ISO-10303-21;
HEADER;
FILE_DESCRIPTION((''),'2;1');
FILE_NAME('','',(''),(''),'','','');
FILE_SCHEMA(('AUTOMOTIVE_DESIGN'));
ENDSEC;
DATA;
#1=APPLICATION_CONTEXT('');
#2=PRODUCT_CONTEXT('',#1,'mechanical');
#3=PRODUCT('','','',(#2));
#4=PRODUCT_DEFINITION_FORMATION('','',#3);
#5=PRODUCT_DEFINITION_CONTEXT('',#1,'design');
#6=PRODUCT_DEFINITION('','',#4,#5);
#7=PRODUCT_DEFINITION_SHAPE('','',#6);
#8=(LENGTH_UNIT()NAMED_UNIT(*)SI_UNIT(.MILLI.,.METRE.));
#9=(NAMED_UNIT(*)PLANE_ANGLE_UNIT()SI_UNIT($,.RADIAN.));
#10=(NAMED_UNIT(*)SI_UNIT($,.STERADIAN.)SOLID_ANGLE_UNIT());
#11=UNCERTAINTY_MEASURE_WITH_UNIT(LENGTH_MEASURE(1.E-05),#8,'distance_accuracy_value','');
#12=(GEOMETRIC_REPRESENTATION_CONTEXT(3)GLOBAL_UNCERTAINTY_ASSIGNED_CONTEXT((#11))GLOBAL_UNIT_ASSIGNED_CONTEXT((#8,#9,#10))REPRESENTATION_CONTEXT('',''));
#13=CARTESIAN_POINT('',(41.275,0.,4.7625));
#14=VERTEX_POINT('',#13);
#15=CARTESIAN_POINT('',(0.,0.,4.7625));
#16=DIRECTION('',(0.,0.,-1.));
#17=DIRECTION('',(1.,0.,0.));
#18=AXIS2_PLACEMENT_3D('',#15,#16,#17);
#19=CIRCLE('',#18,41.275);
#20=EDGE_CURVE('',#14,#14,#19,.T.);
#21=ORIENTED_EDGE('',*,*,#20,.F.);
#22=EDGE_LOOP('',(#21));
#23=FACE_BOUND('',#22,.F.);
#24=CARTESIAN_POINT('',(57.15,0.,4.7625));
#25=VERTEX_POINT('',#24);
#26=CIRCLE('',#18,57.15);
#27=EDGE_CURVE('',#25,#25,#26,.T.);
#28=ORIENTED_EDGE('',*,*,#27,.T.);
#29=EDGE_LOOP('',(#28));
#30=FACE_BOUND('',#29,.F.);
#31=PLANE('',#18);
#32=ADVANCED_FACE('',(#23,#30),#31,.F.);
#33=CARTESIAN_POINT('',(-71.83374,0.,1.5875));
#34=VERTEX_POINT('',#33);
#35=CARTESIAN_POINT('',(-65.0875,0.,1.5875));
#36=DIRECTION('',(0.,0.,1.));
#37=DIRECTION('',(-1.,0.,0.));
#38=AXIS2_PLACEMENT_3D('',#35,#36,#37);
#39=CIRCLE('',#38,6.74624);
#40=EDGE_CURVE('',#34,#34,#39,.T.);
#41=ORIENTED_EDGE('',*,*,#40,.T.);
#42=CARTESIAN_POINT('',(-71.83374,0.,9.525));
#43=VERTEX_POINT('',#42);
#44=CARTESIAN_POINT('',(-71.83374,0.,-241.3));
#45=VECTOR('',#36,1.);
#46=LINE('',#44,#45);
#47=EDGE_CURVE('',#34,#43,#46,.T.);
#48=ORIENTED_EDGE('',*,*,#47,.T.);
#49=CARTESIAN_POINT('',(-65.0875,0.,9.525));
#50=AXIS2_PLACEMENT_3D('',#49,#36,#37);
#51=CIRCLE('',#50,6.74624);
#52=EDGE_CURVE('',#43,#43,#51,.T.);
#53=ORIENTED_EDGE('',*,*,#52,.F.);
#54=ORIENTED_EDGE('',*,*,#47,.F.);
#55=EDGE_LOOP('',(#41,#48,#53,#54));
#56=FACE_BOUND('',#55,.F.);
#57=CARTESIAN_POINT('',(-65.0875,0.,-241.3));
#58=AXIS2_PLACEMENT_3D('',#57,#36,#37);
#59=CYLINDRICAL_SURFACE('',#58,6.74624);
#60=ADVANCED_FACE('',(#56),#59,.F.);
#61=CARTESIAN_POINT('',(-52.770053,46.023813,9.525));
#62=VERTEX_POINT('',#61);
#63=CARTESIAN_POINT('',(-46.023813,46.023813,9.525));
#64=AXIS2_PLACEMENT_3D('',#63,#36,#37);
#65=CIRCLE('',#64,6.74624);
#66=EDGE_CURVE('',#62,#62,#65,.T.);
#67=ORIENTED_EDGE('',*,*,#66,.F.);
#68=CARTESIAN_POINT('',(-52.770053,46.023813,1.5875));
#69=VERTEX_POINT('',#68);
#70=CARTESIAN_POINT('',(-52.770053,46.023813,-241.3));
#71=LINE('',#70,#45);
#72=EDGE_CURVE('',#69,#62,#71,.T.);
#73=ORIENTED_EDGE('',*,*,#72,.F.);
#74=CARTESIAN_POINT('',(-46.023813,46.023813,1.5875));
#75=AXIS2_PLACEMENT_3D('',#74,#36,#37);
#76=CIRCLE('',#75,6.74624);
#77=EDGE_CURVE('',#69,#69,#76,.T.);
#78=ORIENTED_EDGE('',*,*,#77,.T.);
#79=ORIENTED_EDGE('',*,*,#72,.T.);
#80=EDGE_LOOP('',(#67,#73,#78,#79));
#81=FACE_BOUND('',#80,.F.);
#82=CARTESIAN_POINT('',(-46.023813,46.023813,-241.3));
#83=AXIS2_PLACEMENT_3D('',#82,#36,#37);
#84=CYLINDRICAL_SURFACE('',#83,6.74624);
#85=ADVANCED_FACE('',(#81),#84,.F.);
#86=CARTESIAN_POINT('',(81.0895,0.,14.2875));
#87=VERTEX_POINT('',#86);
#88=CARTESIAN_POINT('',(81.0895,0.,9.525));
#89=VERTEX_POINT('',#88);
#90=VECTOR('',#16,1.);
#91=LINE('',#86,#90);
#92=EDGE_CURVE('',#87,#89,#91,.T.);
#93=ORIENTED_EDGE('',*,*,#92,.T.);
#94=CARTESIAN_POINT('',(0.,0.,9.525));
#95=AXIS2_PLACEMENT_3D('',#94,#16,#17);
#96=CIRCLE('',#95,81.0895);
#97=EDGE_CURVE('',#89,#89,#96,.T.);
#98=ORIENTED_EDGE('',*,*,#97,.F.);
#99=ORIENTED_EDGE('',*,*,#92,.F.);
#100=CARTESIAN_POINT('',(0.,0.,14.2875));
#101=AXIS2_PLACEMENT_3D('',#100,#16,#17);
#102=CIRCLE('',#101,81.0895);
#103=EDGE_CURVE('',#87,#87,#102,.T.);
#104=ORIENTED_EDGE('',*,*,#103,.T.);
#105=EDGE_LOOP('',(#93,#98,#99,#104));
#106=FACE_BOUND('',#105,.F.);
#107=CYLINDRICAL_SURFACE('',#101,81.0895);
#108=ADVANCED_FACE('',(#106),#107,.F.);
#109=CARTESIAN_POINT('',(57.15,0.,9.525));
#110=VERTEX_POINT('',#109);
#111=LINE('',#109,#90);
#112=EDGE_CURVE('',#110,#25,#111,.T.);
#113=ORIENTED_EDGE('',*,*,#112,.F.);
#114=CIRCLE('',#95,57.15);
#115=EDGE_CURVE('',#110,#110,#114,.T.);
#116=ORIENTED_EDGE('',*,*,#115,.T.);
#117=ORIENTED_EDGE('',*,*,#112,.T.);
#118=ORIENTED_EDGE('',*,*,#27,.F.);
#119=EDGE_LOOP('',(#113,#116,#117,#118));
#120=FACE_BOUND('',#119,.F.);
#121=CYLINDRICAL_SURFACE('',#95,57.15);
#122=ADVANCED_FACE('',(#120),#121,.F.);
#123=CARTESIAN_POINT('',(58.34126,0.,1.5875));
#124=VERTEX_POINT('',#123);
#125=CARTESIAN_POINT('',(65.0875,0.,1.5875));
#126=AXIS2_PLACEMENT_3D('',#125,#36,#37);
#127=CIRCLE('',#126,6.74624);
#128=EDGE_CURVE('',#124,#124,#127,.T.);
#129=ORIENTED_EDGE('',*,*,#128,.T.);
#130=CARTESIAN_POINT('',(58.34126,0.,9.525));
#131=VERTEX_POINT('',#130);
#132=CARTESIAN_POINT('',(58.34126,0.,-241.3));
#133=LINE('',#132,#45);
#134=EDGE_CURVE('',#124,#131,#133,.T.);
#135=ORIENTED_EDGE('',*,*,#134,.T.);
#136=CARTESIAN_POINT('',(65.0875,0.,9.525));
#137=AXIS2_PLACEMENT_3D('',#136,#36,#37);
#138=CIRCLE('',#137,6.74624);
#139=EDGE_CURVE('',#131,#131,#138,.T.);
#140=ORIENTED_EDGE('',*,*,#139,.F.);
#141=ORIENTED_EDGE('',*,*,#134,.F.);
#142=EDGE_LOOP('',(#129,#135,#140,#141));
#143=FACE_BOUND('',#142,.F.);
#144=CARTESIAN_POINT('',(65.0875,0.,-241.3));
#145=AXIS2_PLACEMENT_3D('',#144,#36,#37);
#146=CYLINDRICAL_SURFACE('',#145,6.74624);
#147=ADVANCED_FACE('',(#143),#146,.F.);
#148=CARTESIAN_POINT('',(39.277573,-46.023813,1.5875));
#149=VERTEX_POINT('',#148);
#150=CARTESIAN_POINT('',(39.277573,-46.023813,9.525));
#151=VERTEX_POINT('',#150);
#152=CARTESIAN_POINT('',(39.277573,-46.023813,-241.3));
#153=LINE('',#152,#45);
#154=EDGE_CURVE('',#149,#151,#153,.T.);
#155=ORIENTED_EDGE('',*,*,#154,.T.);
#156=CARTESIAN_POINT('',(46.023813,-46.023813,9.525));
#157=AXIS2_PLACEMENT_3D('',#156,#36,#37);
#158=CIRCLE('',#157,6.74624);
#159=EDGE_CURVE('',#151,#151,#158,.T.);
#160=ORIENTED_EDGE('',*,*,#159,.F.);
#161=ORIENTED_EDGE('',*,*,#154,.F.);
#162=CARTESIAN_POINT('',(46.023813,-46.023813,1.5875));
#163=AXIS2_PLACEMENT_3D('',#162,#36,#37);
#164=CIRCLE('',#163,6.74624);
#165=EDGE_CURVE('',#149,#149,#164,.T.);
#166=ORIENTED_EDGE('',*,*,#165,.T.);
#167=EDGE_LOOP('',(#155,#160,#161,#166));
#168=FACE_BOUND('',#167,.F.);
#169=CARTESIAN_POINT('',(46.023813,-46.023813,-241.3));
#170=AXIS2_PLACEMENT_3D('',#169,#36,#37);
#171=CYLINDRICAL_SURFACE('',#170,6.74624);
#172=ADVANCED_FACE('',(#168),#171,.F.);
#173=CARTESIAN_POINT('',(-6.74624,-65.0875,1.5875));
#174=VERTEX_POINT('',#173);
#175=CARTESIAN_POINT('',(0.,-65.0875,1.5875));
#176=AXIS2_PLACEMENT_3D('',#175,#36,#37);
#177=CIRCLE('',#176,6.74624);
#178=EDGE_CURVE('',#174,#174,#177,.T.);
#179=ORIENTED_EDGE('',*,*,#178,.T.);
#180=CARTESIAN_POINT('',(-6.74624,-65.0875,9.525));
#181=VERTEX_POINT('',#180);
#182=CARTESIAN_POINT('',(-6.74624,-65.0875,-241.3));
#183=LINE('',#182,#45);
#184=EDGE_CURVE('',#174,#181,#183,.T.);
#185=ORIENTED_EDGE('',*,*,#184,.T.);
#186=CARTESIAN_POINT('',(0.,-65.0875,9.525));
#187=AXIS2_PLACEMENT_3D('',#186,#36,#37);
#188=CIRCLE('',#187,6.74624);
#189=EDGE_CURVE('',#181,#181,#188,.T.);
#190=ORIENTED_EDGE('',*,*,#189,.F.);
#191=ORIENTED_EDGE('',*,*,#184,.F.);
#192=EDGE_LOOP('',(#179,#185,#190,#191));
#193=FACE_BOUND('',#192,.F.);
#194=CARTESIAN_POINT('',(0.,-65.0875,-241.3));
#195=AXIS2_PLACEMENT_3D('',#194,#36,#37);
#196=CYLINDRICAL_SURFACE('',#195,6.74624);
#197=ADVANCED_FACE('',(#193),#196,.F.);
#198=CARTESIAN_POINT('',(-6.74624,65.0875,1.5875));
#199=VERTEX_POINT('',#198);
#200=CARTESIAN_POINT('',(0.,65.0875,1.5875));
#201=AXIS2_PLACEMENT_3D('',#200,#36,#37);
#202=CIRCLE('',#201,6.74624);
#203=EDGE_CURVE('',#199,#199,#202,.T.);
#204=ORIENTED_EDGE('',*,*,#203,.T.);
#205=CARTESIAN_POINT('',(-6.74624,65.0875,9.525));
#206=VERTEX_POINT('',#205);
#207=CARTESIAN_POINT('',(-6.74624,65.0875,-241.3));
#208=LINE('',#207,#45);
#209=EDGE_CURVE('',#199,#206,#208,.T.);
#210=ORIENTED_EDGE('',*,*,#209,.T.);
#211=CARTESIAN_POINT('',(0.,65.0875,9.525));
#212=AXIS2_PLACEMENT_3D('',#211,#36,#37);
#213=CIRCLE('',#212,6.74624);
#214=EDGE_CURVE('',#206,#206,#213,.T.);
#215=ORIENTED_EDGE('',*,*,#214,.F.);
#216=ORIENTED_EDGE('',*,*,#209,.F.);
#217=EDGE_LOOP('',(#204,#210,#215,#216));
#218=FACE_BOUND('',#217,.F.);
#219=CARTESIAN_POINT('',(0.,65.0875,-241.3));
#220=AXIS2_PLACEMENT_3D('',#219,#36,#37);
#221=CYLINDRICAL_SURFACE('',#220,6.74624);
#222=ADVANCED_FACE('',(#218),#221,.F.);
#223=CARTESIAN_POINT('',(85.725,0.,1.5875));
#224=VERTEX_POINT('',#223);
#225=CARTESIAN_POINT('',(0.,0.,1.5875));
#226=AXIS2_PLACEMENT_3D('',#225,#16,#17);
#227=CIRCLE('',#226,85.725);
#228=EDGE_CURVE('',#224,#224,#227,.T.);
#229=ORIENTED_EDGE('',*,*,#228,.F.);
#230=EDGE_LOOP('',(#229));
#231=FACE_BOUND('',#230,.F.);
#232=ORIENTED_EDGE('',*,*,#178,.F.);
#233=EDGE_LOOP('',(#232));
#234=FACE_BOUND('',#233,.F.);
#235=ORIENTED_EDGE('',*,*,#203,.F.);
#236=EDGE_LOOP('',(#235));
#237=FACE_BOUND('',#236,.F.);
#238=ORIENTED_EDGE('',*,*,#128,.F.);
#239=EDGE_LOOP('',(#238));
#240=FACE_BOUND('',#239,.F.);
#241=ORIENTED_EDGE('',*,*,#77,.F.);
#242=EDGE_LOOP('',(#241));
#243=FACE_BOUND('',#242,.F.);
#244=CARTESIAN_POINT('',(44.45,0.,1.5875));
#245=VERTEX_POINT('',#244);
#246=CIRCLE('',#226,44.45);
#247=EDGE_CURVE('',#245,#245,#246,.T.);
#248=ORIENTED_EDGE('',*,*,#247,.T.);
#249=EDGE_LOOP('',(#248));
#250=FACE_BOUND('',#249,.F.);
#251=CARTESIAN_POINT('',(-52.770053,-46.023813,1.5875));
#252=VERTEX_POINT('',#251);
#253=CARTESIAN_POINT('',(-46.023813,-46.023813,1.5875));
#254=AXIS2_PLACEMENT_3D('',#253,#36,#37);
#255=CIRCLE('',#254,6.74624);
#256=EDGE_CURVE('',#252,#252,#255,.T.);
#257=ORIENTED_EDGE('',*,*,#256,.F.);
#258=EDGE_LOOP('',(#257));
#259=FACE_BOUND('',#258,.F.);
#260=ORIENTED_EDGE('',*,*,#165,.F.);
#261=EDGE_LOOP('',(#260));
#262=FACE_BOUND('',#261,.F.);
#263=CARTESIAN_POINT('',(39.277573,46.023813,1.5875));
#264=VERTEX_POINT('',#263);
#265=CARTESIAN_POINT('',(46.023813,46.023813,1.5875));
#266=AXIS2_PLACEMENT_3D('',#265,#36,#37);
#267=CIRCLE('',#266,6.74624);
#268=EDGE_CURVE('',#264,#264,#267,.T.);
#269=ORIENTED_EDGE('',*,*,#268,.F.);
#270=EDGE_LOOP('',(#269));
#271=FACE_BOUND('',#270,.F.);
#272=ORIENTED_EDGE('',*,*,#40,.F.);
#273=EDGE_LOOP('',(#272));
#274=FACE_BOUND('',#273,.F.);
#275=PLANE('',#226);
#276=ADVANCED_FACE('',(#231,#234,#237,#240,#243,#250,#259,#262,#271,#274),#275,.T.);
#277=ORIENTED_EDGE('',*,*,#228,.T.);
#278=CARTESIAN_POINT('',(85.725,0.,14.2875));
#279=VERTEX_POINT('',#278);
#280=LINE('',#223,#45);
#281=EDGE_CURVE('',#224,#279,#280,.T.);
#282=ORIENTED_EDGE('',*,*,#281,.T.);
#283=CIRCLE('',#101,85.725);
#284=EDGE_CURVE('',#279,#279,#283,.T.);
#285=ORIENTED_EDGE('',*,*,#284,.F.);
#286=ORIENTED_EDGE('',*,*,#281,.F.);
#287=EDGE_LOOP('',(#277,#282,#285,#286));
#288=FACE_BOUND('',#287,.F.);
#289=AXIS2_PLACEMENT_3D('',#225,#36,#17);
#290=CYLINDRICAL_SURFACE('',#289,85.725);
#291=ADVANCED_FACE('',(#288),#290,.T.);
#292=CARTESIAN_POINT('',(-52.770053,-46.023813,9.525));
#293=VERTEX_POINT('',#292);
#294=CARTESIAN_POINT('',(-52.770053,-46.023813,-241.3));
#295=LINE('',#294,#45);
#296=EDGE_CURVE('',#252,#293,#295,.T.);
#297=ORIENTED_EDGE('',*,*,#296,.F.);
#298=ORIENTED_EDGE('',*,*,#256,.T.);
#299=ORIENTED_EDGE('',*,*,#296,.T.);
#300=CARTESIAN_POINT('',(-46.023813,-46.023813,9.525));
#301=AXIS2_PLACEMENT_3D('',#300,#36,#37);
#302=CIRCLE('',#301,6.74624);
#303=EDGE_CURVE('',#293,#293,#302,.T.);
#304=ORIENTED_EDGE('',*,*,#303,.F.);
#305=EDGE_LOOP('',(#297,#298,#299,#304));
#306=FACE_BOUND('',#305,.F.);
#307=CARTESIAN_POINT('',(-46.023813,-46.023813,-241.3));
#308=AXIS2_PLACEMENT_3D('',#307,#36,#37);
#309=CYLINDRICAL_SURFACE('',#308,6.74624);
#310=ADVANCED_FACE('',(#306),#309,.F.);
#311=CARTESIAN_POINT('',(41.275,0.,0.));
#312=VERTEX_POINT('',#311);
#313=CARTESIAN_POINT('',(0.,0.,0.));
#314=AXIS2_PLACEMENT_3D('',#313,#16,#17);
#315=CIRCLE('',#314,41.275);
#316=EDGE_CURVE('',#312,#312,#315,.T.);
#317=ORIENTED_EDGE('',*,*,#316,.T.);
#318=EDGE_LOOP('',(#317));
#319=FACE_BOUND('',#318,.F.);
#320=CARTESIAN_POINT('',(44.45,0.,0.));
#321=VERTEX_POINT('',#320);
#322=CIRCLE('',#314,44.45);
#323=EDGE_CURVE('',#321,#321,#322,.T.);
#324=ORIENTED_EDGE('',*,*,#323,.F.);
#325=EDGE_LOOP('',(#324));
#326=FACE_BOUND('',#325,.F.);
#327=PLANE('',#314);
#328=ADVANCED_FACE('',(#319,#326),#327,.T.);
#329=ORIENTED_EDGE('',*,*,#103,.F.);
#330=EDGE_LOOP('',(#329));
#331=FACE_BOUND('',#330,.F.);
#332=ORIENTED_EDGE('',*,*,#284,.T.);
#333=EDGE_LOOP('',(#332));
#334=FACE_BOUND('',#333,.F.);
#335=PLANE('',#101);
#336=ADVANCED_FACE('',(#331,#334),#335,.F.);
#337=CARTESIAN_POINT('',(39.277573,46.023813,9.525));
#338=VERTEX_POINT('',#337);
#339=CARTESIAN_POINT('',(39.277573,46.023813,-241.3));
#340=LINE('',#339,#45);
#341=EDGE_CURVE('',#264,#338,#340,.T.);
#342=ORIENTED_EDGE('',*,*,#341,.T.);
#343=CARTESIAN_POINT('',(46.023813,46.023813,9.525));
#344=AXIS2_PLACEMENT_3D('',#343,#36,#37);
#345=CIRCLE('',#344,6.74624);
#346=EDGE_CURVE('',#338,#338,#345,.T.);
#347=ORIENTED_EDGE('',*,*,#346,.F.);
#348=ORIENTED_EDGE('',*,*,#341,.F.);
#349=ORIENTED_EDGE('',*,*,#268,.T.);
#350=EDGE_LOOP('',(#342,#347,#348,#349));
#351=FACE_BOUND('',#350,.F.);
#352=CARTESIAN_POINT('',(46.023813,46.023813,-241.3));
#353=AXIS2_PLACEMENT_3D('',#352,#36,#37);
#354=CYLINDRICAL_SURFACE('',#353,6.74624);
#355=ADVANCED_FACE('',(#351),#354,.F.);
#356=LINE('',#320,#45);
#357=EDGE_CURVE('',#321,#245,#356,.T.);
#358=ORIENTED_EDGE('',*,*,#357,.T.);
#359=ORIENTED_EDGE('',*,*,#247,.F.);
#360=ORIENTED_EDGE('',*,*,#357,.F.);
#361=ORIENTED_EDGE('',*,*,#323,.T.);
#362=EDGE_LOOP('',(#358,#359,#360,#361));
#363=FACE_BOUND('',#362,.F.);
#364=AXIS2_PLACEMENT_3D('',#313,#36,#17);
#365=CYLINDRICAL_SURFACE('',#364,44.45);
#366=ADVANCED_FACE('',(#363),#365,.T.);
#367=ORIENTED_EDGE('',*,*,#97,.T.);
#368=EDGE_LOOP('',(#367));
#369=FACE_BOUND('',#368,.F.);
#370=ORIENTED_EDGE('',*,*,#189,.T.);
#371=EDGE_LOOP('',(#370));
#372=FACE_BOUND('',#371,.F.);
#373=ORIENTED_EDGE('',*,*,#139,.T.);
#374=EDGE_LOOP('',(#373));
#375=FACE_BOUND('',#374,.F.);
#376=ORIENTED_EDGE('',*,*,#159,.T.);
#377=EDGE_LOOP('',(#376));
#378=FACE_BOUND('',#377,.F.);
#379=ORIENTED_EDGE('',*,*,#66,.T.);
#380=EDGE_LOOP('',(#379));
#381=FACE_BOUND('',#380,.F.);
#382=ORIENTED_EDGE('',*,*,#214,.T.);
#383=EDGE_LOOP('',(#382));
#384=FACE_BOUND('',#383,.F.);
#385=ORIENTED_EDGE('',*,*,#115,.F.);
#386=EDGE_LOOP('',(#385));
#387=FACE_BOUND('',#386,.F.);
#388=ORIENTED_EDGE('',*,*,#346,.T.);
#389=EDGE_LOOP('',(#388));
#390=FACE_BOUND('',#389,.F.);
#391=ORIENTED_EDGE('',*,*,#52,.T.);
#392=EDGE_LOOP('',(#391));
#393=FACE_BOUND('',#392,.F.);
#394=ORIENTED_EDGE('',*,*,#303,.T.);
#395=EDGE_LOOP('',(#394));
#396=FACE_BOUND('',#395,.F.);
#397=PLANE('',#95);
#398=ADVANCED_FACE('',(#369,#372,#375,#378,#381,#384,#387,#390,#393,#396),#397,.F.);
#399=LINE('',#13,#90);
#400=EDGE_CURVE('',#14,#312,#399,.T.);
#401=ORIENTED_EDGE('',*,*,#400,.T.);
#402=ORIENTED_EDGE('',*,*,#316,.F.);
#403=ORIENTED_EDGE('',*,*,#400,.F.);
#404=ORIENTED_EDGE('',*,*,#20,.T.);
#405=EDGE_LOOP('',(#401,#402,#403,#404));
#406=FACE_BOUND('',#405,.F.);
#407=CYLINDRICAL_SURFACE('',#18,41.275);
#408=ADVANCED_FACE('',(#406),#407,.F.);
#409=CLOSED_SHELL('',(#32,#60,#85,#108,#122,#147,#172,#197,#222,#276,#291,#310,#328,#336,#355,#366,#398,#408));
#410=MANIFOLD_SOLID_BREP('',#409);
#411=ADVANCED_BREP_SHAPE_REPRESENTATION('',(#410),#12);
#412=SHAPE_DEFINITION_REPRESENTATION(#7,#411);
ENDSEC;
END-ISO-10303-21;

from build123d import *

# Parameters (mm, degrees)
F3_D = 13.49248


with BuildPart() as f1:
    # F0 (on Front) → F1 (revolve)
    with BuildSketch(Plane.XZ):
        Polygon((41.275, 0), (44.45, 0), (44.45, 1.5875), (85.725, 1.5875), (85.725, 9.525), (85.725, 14.2875), (81.0895, 14.2875), (81.0895, 9.525), (57.15, 9.525), (57.15, 4.7625), (41.275, 4.7625), align=None)
    revolve(axis=Axis((0, 0, 11.4762624726), (0, 0, -1)))

    # F3 (through all)
    with Locations(Plane(origin=(0, 0, 1.5875), x_dir=(1, 0, 0), z_dir=(0, 0, -1))):
        with Locations((0, 65.0875), (-46.0238126205, 46.0238126205), (-65.0875, 0), (-46.0238126205, -46.0238126205), (0, -65.0875), (46.0238126205, -46.0238126205), (65.0875, 0), (46.0238126205, 46.0238126205)):
            Hole(F3_D / 2)


solid = f1.part
